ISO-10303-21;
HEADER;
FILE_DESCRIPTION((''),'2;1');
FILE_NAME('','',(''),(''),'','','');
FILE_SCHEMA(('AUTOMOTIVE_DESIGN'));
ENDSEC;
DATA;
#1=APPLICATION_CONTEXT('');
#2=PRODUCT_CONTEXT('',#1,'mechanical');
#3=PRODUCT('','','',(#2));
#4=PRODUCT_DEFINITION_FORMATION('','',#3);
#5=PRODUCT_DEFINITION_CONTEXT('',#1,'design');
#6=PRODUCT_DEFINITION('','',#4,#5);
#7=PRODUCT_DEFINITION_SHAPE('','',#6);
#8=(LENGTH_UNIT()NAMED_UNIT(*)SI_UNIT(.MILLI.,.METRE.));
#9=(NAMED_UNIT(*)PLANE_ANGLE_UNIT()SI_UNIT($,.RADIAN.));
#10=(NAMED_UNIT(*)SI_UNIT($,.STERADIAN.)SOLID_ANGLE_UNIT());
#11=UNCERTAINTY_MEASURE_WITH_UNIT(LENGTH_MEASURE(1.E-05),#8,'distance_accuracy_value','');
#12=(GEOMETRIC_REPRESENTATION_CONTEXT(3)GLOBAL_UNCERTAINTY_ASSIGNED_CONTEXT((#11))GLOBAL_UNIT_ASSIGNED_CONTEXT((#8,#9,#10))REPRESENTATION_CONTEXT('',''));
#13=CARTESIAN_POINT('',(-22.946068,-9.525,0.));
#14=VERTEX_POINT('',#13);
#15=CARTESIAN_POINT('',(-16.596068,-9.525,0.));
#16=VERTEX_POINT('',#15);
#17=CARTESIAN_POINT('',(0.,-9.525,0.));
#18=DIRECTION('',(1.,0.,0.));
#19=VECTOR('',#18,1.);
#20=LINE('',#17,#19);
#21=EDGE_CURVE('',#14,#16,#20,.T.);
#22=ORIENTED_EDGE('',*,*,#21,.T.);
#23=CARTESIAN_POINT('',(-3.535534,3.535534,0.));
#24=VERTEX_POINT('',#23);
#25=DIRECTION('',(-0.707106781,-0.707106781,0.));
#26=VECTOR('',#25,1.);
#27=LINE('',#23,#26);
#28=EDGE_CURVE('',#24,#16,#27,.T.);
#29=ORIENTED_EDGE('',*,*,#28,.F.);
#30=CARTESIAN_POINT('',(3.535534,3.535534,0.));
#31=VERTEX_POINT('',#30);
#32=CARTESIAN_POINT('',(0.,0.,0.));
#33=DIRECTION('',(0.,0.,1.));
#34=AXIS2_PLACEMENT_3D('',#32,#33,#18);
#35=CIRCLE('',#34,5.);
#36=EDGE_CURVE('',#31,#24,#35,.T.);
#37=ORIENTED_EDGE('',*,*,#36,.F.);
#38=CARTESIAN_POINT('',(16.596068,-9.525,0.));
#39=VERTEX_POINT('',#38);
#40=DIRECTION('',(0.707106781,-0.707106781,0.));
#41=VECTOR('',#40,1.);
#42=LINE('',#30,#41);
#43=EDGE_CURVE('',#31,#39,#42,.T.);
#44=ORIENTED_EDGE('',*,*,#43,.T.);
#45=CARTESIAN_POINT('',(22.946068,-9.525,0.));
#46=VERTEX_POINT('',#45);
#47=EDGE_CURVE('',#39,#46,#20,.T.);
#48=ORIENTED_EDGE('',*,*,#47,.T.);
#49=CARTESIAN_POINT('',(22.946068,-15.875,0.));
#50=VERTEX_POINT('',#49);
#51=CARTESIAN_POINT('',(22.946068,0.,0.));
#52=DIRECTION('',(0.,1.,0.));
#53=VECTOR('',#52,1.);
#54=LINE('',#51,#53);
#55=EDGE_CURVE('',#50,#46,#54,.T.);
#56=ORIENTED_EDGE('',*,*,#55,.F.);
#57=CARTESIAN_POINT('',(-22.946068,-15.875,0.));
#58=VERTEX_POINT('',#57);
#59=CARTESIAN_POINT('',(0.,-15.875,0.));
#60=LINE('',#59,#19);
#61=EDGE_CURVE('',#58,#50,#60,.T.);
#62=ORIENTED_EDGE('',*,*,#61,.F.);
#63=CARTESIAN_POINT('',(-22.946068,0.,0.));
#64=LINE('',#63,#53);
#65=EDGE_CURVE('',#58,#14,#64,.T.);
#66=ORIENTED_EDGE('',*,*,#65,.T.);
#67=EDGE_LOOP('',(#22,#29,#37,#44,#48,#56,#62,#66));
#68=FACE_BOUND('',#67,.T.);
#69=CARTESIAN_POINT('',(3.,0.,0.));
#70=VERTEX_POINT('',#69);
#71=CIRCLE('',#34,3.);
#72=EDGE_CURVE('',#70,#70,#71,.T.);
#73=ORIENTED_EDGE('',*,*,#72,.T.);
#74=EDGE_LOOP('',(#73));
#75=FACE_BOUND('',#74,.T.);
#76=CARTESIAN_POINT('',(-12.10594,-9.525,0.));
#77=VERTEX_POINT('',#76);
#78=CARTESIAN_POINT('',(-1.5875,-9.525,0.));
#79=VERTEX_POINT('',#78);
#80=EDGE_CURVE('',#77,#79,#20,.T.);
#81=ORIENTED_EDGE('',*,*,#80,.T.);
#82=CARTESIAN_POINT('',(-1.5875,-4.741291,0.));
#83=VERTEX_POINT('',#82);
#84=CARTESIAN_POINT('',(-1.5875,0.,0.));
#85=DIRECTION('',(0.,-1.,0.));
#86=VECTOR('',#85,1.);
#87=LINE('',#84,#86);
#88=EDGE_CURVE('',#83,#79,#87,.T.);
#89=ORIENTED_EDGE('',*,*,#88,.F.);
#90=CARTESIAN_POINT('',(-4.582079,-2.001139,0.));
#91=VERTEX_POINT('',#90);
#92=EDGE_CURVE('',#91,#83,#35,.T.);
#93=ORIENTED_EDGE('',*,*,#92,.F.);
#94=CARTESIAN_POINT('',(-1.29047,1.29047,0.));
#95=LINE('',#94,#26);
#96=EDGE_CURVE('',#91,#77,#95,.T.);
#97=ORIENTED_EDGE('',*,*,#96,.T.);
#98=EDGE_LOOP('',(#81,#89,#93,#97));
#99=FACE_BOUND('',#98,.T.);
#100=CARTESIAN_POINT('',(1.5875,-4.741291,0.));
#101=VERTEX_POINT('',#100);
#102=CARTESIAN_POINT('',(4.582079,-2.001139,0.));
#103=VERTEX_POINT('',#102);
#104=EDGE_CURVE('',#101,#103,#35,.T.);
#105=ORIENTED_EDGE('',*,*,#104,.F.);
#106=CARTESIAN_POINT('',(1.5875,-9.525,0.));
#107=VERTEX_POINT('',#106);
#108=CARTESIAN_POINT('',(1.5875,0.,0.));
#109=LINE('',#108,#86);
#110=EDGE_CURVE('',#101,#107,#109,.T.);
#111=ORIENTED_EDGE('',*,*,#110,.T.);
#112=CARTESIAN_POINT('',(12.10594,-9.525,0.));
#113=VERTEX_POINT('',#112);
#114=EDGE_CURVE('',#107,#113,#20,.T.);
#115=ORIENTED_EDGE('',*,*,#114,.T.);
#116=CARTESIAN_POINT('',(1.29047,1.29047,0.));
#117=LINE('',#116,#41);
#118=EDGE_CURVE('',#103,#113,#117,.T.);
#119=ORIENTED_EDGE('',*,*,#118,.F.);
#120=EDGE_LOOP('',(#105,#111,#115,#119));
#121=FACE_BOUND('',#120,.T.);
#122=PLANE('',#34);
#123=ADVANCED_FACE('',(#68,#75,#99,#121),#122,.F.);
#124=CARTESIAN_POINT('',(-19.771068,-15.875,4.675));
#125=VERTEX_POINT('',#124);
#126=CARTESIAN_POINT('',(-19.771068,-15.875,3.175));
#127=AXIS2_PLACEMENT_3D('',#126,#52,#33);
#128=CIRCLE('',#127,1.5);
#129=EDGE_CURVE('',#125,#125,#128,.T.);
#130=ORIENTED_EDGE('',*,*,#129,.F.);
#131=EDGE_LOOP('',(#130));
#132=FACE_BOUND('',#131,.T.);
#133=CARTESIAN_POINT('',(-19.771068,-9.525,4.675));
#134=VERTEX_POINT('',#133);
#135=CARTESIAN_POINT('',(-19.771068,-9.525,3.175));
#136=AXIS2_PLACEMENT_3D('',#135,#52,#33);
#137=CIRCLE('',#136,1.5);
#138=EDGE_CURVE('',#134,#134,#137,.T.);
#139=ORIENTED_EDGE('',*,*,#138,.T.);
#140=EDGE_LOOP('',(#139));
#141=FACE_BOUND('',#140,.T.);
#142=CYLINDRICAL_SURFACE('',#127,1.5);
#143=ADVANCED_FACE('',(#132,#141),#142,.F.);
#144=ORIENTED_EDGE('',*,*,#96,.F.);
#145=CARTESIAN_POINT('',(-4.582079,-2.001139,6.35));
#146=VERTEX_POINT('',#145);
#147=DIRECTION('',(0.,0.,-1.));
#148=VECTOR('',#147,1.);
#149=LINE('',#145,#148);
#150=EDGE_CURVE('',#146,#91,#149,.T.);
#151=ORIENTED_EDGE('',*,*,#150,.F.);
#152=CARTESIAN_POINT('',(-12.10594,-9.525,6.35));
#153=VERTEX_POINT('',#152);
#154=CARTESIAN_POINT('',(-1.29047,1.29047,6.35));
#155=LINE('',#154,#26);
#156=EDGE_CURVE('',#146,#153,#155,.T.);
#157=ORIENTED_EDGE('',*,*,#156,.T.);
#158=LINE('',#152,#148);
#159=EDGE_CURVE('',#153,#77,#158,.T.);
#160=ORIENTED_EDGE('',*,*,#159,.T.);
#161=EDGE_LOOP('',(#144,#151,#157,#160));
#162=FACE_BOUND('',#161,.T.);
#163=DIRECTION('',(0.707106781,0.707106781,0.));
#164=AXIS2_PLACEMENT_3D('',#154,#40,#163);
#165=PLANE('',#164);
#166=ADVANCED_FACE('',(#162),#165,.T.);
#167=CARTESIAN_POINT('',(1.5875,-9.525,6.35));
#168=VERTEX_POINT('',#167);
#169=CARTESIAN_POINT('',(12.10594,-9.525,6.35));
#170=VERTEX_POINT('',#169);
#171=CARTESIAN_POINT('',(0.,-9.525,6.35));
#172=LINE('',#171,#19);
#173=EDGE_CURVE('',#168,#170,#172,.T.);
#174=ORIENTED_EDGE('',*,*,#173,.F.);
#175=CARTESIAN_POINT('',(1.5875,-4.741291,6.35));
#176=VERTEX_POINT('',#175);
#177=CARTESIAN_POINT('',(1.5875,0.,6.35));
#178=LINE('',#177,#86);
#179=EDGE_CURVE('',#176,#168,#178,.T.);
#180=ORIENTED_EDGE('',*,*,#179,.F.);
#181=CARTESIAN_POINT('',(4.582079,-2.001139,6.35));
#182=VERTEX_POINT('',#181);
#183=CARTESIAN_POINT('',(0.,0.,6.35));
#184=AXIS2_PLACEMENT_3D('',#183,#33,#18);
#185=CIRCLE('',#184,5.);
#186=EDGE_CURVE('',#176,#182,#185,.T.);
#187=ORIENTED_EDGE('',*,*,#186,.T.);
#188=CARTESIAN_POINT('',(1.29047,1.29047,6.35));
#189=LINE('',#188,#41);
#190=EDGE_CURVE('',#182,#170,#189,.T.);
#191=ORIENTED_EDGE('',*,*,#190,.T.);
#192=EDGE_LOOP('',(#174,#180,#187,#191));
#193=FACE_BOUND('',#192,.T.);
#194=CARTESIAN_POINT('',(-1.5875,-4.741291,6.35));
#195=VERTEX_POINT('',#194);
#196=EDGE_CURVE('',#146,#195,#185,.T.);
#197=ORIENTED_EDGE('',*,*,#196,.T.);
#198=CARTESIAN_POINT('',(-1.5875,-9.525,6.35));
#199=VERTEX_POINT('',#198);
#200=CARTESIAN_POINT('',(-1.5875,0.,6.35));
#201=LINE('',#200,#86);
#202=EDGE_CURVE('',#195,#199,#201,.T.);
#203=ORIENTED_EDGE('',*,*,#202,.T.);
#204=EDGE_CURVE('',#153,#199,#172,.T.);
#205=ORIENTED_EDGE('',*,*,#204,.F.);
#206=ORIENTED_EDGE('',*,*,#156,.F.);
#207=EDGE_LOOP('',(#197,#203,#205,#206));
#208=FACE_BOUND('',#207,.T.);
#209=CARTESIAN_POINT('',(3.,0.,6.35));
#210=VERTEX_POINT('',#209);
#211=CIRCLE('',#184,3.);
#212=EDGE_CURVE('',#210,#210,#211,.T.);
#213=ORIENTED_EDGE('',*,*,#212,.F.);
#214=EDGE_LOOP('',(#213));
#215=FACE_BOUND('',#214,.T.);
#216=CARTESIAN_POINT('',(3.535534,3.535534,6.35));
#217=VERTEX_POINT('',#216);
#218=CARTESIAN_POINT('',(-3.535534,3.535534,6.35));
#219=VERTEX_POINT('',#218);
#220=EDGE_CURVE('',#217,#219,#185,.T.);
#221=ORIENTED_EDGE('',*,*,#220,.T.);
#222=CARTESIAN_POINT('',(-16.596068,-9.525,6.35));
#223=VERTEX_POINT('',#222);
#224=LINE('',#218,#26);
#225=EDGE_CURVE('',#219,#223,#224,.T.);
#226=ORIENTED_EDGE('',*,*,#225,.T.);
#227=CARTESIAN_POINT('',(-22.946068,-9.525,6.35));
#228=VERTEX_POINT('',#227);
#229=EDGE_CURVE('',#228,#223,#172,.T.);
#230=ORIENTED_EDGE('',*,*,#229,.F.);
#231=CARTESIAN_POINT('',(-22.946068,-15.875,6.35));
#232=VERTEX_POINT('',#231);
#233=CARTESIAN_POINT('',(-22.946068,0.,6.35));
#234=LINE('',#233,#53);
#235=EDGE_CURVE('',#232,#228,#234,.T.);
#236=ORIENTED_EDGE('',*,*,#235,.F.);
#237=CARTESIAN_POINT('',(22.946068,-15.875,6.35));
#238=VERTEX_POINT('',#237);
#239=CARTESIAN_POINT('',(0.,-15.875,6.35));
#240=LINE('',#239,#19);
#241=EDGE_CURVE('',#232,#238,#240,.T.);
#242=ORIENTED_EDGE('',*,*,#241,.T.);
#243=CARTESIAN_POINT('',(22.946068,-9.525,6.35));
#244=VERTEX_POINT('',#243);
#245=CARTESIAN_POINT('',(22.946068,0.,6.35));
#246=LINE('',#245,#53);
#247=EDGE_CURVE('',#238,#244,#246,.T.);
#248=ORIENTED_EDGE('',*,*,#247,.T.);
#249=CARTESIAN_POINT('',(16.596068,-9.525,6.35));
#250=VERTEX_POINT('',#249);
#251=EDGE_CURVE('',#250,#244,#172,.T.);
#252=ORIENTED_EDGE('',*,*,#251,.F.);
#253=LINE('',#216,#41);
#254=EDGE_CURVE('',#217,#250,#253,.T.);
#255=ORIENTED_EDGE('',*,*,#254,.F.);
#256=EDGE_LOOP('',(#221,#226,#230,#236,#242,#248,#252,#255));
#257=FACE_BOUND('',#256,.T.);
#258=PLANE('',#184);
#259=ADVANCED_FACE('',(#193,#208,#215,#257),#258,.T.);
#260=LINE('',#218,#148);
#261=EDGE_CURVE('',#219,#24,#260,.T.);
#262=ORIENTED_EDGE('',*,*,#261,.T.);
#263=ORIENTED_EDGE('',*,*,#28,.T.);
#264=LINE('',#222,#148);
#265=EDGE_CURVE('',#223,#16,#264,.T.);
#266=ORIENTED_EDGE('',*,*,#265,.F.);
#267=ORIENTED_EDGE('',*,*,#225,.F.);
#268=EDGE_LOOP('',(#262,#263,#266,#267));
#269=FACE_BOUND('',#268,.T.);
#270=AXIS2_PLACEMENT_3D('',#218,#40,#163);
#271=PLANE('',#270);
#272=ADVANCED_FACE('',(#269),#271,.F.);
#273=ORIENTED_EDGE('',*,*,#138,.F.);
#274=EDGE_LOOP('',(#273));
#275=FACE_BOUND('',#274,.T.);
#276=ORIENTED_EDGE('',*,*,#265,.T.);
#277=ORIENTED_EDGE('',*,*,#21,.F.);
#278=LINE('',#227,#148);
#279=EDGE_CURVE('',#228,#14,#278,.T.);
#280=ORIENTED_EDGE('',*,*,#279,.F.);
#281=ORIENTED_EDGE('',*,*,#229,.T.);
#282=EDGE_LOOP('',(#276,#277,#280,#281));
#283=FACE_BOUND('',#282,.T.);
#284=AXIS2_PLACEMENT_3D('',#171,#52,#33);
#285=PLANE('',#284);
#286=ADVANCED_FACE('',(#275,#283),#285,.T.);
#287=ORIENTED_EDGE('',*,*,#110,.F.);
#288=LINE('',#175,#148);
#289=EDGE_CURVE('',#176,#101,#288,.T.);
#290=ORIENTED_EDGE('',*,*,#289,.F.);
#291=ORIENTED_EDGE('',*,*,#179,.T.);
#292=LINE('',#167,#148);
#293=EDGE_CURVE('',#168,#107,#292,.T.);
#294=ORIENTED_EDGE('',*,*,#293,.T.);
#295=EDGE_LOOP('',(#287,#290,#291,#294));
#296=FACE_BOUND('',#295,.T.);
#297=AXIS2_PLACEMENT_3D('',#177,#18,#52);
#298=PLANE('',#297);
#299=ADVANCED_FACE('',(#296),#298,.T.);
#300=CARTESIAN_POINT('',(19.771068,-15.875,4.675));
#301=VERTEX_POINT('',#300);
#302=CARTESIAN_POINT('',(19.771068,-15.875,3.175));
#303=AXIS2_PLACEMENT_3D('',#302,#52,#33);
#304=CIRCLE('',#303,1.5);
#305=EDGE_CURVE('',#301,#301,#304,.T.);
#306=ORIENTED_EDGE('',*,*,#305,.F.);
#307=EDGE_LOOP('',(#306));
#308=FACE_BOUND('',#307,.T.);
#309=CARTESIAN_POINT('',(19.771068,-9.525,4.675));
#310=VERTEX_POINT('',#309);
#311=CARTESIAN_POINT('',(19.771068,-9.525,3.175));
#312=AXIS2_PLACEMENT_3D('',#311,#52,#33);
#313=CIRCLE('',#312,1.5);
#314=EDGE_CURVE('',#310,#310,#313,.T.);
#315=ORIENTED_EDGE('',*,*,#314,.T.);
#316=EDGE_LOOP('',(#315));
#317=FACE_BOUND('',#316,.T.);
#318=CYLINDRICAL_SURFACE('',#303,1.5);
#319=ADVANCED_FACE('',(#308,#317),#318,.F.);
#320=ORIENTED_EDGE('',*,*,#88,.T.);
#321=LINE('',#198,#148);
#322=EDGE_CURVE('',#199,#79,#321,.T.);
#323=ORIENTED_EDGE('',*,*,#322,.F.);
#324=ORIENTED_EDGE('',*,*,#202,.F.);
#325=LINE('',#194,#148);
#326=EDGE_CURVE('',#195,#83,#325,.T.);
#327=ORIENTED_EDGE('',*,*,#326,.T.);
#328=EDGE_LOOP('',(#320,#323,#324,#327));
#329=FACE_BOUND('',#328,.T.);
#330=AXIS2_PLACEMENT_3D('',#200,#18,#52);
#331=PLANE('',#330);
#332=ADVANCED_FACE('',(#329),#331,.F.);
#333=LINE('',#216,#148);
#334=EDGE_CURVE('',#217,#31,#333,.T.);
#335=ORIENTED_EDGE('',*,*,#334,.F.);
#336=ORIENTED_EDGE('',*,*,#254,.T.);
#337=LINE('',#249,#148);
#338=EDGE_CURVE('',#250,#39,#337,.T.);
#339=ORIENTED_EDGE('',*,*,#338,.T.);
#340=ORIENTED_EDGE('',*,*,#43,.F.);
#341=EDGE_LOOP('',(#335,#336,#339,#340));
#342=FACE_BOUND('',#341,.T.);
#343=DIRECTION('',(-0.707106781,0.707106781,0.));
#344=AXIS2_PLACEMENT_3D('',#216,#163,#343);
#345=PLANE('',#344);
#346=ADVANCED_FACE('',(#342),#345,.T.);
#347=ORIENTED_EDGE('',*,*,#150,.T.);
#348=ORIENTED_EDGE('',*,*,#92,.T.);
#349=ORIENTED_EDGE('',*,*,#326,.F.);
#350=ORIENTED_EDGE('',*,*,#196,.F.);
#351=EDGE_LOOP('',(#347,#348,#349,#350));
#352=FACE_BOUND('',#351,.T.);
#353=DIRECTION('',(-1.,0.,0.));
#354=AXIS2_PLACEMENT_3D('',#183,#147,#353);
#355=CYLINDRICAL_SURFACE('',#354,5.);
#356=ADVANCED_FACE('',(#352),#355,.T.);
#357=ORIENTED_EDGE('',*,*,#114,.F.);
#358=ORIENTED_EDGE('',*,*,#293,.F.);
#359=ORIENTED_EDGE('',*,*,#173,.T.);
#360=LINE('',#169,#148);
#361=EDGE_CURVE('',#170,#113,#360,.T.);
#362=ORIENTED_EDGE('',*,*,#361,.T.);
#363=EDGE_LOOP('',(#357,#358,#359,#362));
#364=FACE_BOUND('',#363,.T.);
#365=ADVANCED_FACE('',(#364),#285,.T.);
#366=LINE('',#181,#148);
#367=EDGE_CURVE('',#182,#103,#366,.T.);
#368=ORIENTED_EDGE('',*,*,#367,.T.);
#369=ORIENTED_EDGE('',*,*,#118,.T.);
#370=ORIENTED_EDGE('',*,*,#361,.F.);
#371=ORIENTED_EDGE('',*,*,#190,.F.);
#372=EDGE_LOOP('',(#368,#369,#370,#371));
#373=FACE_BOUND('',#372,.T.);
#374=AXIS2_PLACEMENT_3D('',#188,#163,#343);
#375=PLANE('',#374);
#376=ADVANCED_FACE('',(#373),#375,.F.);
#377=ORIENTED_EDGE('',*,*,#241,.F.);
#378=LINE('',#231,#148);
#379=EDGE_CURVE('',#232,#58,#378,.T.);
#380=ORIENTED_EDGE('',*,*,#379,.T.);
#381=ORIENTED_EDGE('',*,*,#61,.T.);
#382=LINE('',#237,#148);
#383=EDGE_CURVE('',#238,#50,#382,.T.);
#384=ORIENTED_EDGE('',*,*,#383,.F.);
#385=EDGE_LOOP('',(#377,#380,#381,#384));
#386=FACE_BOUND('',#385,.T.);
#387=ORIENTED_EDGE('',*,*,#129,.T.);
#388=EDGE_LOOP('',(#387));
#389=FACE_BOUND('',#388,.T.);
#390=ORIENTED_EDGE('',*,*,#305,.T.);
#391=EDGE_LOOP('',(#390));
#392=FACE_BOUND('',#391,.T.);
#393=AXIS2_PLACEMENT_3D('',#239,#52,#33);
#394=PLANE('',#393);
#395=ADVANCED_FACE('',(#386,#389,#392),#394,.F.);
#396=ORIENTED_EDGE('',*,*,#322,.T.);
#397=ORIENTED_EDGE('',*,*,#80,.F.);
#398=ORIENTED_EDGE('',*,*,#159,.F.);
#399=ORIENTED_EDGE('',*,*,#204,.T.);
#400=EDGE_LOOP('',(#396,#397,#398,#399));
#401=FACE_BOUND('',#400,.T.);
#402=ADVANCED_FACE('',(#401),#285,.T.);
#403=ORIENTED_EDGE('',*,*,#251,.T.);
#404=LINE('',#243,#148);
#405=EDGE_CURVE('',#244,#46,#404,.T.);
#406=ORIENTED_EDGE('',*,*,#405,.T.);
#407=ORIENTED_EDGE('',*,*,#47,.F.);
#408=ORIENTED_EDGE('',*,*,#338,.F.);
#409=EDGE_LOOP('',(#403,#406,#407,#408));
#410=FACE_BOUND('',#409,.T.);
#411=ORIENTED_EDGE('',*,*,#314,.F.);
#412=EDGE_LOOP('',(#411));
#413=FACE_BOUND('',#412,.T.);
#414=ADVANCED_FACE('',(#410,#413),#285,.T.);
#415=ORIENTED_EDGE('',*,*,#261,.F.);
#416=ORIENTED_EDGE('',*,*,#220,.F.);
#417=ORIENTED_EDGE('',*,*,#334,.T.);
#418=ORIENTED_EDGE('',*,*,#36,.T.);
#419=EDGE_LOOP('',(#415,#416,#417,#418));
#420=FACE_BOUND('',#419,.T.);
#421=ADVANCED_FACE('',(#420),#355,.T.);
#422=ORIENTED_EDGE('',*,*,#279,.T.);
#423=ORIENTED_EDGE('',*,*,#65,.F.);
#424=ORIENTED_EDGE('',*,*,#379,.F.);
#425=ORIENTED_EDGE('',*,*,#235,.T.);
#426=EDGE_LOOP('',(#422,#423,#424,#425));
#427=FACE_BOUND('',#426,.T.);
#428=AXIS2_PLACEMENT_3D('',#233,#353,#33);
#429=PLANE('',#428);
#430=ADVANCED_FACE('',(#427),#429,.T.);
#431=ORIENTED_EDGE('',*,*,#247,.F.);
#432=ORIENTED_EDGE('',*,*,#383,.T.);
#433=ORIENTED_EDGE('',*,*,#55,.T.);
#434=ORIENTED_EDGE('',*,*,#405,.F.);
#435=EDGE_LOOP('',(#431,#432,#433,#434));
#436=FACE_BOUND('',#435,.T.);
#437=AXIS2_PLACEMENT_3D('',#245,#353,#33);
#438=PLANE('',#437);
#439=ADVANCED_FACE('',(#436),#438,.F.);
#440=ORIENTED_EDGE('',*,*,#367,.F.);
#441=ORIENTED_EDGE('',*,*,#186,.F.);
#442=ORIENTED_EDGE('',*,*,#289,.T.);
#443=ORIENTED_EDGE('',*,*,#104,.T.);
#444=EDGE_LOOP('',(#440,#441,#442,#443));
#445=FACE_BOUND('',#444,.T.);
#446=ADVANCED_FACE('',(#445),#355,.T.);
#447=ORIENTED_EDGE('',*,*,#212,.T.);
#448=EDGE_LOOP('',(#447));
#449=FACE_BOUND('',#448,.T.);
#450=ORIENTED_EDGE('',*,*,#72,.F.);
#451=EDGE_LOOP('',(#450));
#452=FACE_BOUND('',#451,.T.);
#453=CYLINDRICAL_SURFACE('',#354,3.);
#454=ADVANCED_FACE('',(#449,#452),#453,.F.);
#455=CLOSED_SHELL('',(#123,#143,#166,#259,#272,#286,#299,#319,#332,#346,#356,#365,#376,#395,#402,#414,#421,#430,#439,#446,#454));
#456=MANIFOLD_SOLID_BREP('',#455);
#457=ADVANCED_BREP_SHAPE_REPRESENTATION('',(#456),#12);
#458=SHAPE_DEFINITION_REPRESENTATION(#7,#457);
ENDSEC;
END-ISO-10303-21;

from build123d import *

# Parameters (mm, degrees)
SKETCH1_R           = 5
SKETCH1_R_2         = 3
SKETCH1_W           = 45.892135624
SKETCH1_H           = 6.35
BOSS_EXTRUDE1_DEPTH = 6.35
SKETCH2_R           = 1.5
CUT_EXTRUDE1_DEPTH  = 28.889427262


with BuildPart() as part:
    # Sketch1 → Boss-Extrude1 (new body)
    # profile 1 of 5: a face of its own
    with BuildSketch(Plane.XY):
        Circle(SKETCH1_R)
        Circle(SKETCH1_R_2, mode=Mode.SUBTRACT)
    # profile 2 of 5: a face of its own
    with BuildSketch(Plane.XY):
        with BuildLine():
            ThreePointArc((-4.582078525, -2.001138774), (-4.913002543, 0.92865818), (-3.535533906, 3.535533906))
            Line((-3.535533906, 3.535533906), (-16.596067812, -9.525))
            Line((-16.596067812, -9.525), (-12.105939751, -9.525))
            Line((-12.105939751, -9.525), (-4.582078525, -2.001138774))
        make_face()
    # profile 3 of 5: a face of its own
    with BuildSketch(Plane.XY):
        with Locations((0, -12.7)):
            Rectangle(SKETCH1_W, SKETCH1_H)
    # profile 4 of 5: a face of its own
    with BuildSketch(Plane.XY):
        with BuildLine():
            ThreePointArc((1.5875, -4.741291359), (0, -5), (-1.5875, -4.741291359))
            Line((-1.5875, -4.741291359), (-1.5875, -9.525))
            Line((-1.5875, -9.525), (1.5875, -9.525))
            Line((1.5875, -9.525), (1.5875, -4.741291359))
        make_face()
    # profile 5 of 5: a face of its own
    with BuildSketch(Plane.XY):
        with BuildLine():
            Line((16.596067812, -9.525), (3.535533906, 3.535533906))
            ThreePointArc((3.535533906, 3.535533906), (4.619397663, 1.913417162), (5, 0))
            ThreePointArc((5, 0), (4.894404592, -1.022156391), (4.582078525, -2.001138774))
            Line((4.582078525, -2.001138774), (12.105939751, -9.525))
            Line((12.105939751, -9.525), (16.596067812, -9.525))
        make_face()
    extrude(amount=BOSS_EXTRUDE1_DEPTH)

    # Sketch2 → Cut-Extrude1 (cut, through all)
    with BuildSketch(Plane(origin=(0, -9.525, 0), x_dir=(1, 0, 0), z_dir=(0, 1, 0))):
        with Locations(Location((19.771067812, -3.175, 0), (0, 0, 270))):
            Circle(SKETCH2_R)
        with Locations(Location((-19.771067812, -3.175, 0), (0, 0, 270))):
            Circle(SKETCH2_R)
    extrude(amount=-CUT_EXTRUDE1_DEPTH, mode=Mode.SUBTRACT)


solid = part.part
